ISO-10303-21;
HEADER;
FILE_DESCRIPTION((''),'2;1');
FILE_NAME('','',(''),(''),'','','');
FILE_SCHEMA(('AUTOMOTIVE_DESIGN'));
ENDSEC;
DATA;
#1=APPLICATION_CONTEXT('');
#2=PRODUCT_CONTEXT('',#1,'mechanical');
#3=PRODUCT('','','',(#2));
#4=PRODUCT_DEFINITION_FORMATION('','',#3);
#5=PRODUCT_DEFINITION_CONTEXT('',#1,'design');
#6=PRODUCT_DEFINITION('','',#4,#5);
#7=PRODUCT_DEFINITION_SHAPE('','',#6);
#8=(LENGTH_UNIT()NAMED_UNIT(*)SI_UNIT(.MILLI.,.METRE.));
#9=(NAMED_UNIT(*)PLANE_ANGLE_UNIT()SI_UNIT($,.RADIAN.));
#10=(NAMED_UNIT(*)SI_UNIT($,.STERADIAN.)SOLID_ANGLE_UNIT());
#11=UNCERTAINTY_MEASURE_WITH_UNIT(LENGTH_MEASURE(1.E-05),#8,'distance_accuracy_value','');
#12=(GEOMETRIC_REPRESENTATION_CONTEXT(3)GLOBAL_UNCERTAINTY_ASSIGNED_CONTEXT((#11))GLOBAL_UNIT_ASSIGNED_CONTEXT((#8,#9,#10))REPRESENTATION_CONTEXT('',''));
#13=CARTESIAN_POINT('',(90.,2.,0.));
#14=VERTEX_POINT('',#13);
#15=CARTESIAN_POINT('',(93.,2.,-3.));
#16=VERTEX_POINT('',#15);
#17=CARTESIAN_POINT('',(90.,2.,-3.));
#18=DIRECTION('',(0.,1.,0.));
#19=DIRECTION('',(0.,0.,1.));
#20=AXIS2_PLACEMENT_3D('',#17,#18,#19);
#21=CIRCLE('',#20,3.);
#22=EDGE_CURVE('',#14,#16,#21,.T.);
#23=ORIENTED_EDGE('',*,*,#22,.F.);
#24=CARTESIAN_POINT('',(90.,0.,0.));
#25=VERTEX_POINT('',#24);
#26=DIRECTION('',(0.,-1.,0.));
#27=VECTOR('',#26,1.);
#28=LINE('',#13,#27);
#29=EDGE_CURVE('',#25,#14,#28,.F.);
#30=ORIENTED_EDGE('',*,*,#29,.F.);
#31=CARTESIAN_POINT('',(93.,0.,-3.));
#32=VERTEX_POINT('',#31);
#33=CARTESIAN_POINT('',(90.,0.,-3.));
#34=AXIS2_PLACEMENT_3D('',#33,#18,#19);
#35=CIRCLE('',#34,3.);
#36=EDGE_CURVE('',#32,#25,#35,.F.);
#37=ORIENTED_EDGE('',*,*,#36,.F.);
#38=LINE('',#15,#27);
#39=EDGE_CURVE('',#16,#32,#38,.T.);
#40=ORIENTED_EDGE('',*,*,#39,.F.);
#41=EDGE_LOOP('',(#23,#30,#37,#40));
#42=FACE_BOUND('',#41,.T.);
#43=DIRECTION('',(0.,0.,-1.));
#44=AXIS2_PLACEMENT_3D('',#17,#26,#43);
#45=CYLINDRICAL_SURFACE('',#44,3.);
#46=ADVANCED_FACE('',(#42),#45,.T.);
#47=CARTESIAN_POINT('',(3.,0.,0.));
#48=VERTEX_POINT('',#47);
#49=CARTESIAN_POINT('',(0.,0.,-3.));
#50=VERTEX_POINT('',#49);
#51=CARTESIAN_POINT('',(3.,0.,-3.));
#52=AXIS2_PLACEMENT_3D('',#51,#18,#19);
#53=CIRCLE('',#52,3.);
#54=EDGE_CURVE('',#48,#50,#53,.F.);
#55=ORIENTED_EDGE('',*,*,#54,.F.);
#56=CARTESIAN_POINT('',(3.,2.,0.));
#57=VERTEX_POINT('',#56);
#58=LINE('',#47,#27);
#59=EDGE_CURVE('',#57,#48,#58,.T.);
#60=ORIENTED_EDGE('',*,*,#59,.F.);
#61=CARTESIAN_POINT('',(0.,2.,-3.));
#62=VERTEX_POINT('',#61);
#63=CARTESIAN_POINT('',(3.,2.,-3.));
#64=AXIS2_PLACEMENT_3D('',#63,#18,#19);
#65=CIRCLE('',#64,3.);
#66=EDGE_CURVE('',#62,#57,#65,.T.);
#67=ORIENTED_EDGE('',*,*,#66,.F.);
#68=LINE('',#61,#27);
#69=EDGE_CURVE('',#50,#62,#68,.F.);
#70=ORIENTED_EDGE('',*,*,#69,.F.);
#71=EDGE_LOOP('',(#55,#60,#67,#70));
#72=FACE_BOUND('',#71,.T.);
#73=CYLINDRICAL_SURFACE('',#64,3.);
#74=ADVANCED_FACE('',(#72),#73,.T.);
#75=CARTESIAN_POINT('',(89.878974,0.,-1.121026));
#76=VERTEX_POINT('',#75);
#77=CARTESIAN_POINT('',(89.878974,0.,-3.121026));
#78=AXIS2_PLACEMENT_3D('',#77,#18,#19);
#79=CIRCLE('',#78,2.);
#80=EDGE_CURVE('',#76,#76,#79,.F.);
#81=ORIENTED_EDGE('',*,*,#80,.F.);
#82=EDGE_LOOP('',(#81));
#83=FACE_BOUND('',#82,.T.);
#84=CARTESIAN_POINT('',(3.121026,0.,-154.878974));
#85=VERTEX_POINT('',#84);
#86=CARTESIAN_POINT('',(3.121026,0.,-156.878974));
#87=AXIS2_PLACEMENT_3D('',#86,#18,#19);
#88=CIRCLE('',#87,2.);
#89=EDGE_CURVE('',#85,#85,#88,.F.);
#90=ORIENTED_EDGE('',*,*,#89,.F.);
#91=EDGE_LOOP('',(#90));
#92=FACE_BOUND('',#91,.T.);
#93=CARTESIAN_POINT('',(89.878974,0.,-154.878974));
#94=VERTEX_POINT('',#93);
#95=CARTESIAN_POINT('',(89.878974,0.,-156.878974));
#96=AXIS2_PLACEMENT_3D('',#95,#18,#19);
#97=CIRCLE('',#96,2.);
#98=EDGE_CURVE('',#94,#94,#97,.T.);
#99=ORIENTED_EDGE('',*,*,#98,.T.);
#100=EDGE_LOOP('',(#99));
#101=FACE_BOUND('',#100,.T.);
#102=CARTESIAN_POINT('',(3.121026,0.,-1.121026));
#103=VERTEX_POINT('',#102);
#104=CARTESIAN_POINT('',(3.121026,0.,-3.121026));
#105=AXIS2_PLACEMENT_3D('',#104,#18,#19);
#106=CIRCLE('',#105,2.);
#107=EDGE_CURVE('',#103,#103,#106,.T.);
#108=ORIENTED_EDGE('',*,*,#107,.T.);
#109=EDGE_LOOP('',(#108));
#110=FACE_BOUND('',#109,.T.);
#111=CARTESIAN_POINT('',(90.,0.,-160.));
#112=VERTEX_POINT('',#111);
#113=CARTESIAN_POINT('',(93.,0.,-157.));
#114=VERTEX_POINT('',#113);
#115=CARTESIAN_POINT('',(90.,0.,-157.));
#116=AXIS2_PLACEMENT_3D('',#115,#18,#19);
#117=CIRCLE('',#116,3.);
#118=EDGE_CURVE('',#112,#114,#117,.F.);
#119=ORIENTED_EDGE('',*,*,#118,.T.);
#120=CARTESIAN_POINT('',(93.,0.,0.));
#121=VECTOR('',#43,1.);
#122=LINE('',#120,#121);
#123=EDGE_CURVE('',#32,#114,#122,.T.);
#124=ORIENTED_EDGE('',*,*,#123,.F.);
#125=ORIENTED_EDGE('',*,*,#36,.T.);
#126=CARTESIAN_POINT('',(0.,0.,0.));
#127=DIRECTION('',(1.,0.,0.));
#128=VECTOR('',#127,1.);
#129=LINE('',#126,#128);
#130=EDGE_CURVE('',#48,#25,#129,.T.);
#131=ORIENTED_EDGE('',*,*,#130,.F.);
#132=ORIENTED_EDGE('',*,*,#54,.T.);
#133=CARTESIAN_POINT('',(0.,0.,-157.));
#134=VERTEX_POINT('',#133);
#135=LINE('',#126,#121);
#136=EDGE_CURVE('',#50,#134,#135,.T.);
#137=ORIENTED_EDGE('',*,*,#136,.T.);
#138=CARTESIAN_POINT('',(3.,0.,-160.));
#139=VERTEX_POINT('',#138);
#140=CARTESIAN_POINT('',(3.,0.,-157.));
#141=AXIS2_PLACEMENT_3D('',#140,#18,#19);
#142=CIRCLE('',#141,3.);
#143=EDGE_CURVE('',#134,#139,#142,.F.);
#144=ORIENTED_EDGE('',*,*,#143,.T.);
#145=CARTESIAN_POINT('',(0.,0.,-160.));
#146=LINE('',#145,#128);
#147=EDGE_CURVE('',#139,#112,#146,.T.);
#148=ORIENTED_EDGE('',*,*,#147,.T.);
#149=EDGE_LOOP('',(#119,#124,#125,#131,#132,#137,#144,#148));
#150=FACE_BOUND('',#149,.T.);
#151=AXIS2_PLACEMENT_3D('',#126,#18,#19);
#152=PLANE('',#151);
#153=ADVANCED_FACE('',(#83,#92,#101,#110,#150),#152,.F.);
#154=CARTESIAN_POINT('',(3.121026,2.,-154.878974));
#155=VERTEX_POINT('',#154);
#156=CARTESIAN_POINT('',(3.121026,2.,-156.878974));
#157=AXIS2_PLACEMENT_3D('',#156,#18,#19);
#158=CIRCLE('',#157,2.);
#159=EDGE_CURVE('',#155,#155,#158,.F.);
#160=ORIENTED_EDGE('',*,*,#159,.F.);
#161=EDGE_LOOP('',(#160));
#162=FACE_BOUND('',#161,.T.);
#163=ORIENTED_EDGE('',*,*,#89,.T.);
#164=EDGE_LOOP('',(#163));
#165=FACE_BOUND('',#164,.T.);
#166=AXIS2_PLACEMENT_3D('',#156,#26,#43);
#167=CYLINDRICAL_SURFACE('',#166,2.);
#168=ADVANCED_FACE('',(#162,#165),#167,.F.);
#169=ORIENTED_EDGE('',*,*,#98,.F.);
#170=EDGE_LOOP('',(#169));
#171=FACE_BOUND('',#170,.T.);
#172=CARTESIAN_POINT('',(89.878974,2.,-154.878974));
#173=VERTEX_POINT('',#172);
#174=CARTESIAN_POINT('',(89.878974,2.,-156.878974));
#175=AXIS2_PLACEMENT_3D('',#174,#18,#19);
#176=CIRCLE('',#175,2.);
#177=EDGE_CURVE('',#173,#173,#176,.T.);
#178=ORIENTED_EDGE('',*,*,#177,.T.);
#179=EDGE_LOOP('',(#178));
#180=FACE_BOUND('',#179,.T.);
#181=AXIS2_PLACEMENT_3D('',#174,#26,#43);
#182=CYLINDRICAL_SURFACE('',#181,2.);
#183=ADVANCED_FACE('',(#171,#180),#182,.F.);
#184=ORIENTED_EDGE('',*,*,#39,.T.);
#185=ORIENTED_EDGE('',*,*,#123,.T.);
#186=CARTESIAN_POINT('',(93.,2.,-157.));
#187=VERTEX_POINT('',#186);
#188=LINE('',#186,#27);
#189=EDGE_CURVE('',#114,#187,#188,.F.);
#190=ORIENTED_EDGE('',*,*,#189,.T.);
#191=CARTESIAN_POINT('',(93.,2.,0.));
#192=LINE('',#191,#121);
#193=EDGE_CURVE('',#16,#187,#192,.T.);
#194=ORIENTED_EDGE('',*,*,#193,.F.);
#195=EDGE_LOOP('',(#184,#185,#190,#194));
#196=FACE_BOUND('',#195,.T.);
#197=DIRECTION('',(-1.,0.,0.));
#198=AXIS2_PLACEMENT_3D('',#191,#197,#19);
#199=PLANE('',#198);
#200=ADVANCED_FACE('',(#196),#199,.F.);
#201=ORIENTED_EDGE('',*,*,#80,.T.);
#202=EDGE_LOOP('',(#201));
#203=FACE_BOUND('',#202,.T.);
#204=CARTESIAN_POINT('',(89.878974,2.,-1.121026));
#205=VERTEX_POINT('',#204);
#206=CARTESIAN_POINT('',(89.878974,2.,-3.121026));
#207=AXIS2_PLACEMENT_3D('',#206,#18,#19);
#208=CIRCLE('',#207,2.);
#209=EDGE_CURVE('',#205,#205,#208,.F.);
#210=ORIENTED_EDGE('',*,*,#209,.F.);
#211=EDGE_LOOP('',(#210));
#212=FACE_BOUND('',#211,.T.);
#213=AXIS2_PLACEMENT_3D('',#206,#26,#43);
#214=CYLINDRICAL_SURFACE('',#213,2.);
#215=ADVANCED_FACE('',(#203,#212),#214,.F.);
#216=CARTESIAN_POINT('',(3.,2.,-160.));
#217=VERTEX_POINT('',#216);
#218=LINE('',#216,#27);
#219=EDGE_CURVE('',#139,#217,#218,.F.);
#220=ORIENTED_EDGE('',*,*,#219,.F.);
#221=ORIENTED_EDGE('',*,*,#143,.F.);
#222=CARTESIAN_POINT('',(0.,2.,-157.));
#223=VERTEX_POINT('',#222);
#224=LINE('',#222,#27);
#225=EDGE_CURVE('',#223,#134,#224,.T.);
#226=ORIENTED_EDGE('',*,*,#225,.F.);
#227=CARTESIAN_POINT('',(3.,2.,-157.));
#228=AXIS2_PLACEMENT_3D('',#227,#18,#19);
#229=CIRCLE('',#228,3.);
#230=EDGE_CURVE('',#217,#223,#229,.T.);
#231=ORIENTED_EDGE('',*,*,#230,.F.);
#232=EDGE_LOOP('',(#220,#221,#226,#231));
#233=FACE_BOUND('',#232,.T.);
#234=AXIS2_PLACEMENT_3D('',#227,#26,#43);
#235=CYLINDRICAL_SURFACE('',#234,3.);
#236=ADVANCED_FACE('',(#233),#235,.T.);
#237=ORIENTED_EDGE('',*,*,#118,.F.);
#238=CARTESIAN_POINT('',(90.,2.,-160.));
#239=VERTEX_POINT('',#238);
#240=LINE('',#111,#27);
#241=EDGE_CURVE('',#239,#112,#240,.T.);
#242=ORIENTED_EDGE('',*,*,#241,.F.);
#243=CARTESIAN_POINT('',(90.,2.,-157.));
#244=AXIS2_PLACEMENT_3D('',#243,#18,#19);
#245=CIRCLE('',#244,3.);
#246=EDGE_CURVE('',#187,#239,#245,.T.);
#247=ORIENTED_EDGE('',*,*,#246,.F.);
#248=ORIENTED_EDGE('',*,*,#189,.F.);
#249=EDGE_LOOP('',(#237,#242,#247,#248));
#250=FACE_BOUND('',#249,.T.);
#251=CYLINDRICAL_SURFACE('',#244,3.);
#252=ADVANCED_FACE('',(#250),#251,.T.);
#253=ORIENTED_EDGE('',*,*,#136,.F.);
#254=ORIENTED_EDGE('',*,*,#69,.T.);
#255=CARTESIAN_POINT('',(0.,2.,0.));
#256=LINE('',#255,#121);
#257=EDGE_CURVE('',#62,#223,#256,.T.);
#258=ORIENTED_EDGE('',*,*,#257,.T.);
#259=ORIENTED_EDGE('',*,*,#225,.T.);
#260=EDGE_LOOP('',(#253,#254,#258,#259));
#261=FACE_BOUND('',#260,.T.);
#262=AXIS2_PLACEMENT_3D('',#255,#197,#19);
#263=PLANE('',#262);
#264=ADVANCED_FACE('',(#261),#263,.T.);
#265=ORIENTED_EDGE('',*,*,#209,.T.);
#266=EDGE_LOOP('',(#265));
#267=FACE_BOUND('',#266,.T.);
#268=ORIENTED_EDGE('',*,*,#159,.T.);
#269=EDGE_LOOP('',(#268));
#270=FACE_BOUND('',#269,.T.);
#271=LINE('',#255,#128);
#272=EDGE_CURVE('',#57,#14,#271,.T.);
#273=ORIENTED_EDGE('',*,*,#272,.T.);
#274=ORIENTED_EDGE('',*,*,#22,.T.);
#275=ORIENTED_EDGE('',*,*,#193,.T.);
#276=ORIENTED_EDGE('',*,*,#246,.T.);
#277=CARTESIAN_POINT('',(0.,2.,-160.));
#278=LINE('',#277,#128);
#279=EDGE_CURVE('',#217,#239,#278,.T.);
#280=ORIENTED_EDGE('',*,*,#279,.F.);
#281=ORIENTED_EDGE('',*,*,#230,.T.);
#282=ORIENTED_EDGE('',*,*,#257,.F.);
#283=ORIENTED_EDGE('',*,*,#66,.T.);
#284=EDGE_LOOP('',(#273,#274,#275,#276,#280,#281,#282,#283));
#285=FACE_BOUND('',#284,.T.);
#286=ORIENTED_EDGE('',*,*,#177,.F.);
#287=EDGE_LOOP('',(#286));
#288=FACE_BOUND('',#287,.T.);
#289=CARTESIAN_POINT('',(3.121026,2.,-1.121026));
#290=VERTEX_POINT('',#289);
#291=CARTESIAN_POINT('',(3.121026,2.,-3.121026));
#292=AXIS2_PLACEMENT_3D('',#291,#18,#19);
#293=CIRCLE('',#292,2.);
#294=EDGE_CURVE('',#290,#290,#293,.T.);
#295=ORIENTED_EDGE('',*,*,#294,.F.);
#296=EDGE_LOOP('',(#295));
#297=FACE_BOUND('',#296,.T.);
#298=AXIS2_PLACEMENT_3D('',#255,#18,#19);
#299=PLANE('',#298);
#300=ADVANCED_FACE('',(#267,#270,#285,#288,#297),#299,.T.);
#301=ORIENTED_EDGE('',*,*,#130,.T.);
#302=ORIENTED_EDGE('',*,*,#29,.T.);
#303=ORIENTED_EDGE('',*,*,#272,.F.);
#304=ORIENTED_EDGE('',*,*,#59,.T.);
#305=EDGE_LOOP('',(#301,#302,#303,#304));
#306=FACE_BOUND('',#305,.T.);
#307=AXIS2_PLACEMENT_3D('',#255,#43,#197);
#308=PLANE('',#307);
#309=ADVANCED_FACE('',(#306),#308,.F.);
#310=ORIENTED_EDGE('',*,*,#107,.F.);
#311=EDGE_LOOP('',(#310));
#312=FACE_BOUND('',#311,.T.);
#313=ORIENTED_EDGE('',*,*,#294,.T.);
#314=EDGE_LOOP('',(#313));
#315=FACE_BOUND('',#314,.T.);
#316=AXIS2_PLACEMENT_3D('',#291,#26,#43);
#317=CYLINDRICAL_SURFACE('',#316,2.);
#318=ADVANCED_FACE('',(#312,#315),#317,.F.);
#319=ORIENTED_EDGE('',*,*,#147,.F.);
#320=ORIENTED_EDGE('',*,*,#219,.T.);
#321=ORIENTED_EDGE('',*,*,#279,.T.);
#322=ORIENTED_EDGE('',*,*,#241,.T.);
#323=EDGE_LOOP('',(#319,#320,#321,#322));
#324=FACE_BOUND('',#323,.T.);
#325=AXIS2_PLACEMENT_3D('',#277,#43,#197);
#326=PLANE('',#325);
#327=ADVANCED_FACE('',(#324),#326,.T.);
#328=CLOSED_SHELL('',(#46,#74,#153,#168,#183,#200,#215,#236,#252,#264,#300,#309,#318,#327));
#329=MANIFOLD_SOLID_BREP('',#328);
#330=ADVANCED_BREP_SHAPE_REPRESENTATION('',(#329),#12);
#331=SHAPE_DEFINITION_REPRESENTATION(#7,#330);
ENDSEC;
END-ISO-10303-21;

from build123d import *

# Parameters (mm, degrees)
SKETCH2_R           = 2
BOSS_EXTRUDE1_DEPTH = 2
FILLET13_R          = 3


with BuildPart() as part:
    # Sketch2 → Boss-Extrude1 (new body)
    with BuildSketch(Plane(origin=(0, 0, 0), x_dir=(1, 0, 0), z_dir=(0, 1, 0))):
        Polygon((0, 37.5), (0, 0), (59, 0), (93, 0), (93, 160), (0, 160), (0, 137.5), align=None)
        with Locations(Location((3.12102555, 3.12102555, 0), (0, 0, 270))):
            Circle(SKETCH2_R, mode=Mode.SUBTRACT)
        with Locations(Location((89.87897445, 3.12102555, 0), (0, 0, 270))):
            Circle(SKETCH2_R, mode=Mode.SUBTRACT)
        with Locations(Location((3.12102555, 156.87897445, 0), (0, 0, 270))):
            Circle(SKETCH2_R, mode=Mode.SUBTRACT)
        with Locations(Location((89.87897445, 156.87897445, 0), (0, 0, 270))):
            Circle(SKETCH2_R, mode=Mode.SUBTRACT)
    extrude(amount=BOSS_EXTRUDE1_DEPTH)

    # Fillet13
    fillet13_edges = [part.edges().sort_by_distance(p)[0] for p in [
        (93, 1, -160),
        (93, 1, 0),
        (0, 1, 0),
        (0, 1, -160),
    ]]
    fillet(fillet13_edges, radius=FILLET13_R)


solid = part.part
